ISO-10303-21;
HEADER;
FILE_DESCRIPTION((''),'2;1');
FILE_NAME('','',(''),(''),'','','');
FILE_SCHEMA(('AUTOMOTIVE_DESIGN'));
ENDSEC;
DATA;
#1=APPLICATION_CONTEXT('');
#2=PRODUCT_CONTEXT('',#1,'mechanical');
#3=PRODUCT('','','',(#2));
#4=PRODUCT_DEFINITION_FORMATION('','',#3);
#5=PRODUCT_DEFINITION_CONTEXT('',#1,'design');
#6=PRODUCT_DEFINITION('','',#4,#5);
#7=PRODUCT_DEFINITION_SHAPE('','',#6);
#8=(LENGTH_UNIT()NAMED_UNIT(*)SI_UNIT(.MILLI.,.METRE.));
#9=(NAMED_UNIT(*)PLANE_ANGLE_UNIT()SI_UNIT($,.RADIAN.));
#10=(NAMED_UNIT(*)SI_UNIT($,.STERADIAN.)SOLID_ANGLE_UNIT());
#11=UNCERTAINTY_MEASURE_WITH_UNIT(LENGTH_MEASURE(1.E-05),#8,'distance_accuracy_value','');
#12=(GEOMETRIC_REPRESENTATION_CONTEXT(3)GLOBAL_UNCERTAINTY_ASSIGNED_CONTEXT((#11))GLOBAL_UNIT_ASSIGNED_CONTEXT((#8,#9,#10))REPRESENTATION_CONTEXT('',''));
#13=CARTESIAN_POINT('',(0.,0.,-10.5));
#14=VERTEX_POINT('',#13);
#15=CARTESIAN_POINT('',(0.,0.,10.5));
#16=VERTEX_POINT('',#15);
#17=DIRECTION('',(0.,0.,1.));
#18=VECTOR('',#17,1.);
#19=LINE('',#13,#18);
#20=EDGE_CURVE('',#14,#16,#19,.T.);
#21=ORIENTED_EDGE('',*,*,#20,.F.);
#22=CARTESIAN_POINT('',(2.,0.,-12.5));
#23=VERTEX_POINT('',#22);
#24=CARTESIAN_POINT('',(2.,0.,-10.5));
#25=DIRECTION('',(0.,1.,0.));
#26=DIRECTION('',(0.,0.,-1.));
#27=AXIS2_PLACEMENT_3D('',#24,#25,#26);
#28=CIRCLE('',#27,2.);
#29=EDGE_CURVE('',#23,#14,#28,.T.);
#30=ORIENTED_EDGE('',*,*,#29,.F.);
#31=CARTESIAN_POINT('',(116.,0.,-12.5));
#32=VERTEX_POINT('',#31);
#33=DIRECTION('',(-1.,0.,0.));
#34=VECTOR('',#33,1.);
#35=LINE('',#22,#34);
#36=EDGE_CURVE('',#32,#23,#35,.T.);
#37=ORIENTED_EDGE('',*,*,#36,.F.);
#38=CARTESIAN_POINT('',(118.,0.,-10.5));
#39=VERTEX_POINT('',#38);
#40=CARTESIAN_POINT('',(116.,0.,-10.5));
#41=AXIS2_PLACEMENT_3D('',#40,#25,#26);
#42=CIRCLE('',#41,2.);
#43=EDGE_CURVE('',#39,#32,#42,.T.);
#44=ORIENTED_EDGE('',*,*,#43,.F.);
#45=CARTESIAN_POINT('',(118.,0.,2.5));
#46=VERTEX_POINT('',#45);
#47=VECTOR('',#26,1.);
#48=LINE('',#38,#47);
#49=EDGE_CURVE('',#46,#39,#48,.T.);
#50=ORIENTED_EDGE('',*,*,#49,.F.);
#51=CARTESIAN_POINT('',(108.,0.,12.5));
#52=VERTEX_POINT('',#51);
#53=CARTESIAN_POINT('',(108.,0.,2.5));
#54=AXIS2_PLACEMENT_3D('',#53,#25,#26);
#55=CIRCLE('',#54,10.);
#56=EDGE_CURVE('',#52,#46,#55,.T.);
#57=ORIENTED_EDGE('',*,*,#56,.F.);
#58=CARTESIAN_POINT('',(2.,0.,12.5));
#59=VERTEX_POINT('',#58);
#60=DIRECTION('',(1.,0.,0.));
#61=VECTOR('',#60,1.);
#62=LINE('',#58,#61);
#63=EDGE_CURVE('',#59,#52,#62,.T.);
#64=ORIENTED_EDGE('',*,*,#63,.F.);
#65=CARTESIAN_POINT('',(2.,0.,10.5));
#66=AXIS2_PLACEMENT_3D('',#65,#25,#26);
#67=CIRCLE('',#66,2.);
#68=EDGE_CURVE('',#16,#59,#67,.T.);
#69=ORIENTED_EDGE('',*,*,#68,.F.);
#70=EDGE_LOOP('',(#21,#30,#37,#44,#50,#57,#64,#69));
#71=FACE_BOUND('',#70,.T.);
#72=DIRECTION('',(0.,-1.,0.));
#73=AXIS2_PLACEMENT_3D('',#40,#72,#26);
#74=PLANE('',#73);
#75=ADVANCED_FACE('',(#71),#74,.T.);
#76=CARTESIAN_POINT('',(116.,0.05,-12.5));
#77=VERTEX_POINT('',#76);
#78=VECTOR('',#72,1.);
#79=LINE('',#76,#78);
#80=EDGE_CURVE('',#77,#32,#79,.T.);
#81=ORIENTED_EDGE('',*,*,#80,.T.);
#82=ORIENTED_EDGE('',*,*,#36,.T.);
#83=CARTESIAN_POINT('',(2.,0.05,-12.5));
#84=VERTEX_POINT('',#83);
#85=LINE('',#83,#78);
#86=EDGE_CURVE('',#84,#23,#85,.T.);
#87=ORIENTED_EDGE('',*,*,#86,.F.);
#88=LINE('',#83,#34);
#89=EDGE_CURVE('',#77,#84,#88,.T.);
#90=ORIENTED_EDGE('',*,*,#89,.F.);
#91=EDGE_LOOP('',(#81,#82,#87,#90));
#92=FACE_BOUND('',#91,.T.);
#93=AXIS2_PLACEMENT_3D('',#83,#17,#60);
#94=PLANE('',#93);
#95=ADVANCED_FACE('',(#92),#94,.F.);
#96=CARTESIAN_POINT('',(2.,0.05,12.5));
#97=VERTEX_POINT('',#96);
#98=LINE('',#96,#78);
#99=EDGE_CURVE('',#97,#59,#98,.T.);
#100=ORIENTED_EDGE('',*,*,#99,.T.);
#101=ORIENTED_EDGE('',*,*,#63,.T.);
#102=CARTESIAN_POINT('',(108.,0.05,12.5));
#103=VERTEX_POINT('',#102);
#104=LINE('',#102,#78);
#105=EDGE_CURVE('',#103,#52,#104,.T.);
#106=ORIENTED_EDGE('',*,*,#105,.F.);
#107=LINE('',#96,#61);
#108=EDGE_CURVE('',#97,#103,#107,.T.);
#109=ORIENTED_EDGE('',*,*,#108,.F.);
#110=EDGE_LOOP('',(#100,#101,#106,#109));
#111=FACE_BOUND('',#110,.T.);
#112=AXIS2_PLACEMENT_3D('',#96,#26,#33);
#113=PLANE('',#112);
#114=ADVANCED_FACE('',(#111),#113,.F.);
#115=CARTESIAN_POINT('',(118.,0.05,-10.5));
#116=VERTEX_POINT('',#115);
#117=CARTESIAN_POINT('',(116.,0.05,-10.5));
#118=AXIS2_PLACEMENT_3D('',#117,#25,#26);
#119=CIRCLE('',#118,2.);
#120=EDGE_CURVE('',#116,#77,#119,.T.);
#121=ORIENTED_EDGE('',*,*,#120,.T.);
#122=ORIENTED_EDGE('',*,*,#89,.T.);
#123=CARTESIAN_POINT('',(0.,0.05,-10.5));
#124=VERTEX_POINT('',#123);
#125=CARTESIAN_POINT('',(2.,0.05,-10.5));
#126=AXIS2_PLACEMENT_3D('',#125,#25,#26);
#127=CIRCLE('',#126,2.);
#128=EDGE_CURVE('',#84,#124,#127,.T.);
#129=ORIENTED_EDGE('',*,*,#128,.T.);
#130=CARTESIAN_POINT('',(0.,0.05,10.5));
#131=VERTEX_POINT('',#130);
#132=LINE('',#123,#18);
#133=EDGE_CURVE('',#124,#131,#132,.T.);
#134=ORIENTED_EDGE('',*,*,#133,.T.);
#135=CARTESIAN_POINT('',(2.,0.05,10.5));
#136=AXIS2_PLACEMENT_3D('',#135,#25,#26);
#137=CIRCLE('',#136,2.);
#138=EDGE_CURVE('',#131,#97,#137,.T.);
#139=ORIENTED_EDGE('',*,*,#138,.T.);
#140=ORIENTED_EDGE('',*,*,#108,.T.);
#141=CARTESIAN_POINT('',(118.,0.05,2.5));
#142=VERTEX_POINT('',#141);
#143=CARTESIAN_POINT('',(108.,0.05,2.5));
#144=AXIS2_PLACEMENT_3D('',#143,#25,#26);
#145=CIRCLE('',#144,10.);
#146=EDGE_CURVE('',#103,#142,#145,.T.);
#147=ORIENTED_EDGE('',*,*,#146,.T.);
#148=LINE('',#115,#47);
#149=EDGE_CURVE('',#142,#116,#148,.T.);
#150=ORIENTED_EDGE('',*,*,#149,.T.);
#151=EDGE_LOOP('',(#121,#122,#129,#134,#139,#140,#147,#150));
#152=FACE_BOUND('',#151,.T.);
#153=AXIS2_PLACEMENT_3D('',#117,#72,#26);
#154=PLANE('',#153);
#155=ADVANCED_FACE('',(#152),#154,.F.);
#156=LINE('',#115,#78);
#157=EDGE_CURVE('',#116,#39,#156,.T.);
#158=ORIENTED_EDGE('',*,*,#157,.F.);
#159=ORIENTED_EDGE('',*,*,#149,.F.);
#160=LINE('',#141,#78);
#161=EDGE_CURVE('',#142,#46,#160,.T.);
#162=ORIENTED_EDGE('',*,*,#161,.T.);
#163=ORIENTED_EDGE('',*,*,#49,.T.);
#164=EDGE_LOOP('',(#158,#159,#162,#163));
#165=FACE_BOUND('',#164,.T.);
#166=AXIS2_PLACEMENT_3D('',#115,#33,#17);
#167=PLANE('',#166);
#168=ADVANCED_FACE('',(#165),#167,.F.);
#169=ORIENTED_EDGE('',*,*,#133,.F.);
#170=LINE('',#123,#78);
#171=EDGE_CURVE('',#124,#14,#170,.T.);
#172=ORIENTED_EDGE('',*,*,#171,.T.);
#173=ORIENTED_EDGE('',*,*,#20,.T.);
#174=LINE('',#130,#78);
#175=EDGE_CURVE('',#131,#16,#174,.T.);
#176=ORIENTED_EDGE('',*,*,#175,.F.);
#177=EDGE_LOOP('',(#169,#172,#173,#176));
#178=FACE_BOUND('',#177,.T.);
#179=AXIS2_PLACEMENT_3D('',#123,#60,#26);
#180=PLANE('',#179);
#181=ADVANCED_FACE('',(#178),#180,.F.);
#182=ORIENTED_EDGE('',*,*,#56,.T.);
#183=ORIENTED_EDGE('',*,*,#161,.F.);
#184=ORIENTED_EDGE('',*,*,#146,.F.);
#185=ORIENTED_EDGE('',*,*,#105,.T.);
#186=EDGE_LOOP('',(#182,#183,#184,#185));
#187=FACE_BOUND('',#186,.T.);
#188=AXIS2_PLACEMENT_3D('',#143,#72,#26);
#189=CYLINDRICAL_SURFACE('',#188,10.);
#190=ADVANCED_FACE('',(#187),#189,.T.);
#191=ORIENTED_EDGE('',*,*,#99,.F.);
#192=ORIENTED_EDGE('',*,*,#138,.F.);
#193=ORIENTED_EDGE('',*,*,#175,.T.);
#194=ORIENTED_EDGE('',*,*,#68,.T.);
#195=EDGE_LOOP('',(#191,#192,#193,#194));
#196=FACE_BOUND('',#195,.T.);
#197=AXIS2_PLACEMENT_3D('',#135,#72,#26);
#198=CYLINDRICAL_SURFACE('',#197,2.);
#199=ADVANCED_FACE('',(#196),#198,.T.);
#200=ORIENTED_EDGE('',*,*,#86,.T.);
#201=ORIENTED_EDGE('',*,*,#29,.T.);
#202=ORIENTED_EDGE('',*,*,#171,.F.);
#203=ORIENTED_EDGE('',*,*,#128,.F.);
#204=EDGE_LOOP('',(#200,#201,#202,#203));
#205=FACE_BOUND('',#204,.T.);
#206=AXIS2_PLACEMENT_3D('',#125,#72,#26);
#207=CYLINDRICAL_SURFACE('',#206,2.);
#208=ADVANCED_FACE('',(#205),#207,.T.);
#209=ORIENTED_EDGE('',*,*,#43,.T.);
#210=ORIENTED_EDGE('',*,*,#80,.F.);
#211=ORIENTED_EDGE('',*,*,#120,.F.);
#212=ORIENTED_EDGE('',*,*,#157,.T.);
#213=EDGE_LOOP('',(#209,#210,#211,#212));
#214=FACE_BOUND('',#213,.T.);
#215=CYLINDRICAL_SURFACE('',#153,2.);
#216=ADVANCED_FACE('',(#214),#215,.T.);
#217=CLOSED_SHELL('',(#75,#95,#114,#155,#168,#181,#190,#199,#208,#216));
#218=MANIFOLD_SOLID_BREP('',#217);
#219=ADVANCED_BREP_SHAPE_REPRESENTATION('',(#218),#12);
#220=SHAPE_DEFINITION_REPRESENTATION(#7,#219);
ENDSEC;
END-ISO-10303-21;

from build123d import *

# Parameters (mm, degrees)
BOSS_EXTRUDE1_DEPTH = 0.05


with BuildPart() as part:
    # Sketch1 → Boss-Extrude1 (new body)
    with BuildSketch(Plane(origin=(0, 0, 0), x_dir=(1, 0, 0), z_dir=(0, 1, 0))):
        with BuildLine():
            Line((2, 12.5), (116, 12.5))
            ThreePointArc((116, 12.5), (117.414213562, 11.914213562), (118, 10.5))
            Line((118, 10.5), (118, -2.5))
            ThreePointArc((118, -2.5), (115.071067812, -9.571067812), (108, -12.5))
            Line((108, -12.5), (2, -12.5))
            ThreePointArc((2, -12.5), (0.585786438, -11.914213562), (0, -10.5))
            Line((0, -10.5), (0, 10.5))
            ThreePointArc((0, 10.5), (0.585786438, 11.914213562), (2, 12.5))
        make_face()
    extrude(amount=BOSS_EXTRUDE1_DEPTH)


solid = part.part
